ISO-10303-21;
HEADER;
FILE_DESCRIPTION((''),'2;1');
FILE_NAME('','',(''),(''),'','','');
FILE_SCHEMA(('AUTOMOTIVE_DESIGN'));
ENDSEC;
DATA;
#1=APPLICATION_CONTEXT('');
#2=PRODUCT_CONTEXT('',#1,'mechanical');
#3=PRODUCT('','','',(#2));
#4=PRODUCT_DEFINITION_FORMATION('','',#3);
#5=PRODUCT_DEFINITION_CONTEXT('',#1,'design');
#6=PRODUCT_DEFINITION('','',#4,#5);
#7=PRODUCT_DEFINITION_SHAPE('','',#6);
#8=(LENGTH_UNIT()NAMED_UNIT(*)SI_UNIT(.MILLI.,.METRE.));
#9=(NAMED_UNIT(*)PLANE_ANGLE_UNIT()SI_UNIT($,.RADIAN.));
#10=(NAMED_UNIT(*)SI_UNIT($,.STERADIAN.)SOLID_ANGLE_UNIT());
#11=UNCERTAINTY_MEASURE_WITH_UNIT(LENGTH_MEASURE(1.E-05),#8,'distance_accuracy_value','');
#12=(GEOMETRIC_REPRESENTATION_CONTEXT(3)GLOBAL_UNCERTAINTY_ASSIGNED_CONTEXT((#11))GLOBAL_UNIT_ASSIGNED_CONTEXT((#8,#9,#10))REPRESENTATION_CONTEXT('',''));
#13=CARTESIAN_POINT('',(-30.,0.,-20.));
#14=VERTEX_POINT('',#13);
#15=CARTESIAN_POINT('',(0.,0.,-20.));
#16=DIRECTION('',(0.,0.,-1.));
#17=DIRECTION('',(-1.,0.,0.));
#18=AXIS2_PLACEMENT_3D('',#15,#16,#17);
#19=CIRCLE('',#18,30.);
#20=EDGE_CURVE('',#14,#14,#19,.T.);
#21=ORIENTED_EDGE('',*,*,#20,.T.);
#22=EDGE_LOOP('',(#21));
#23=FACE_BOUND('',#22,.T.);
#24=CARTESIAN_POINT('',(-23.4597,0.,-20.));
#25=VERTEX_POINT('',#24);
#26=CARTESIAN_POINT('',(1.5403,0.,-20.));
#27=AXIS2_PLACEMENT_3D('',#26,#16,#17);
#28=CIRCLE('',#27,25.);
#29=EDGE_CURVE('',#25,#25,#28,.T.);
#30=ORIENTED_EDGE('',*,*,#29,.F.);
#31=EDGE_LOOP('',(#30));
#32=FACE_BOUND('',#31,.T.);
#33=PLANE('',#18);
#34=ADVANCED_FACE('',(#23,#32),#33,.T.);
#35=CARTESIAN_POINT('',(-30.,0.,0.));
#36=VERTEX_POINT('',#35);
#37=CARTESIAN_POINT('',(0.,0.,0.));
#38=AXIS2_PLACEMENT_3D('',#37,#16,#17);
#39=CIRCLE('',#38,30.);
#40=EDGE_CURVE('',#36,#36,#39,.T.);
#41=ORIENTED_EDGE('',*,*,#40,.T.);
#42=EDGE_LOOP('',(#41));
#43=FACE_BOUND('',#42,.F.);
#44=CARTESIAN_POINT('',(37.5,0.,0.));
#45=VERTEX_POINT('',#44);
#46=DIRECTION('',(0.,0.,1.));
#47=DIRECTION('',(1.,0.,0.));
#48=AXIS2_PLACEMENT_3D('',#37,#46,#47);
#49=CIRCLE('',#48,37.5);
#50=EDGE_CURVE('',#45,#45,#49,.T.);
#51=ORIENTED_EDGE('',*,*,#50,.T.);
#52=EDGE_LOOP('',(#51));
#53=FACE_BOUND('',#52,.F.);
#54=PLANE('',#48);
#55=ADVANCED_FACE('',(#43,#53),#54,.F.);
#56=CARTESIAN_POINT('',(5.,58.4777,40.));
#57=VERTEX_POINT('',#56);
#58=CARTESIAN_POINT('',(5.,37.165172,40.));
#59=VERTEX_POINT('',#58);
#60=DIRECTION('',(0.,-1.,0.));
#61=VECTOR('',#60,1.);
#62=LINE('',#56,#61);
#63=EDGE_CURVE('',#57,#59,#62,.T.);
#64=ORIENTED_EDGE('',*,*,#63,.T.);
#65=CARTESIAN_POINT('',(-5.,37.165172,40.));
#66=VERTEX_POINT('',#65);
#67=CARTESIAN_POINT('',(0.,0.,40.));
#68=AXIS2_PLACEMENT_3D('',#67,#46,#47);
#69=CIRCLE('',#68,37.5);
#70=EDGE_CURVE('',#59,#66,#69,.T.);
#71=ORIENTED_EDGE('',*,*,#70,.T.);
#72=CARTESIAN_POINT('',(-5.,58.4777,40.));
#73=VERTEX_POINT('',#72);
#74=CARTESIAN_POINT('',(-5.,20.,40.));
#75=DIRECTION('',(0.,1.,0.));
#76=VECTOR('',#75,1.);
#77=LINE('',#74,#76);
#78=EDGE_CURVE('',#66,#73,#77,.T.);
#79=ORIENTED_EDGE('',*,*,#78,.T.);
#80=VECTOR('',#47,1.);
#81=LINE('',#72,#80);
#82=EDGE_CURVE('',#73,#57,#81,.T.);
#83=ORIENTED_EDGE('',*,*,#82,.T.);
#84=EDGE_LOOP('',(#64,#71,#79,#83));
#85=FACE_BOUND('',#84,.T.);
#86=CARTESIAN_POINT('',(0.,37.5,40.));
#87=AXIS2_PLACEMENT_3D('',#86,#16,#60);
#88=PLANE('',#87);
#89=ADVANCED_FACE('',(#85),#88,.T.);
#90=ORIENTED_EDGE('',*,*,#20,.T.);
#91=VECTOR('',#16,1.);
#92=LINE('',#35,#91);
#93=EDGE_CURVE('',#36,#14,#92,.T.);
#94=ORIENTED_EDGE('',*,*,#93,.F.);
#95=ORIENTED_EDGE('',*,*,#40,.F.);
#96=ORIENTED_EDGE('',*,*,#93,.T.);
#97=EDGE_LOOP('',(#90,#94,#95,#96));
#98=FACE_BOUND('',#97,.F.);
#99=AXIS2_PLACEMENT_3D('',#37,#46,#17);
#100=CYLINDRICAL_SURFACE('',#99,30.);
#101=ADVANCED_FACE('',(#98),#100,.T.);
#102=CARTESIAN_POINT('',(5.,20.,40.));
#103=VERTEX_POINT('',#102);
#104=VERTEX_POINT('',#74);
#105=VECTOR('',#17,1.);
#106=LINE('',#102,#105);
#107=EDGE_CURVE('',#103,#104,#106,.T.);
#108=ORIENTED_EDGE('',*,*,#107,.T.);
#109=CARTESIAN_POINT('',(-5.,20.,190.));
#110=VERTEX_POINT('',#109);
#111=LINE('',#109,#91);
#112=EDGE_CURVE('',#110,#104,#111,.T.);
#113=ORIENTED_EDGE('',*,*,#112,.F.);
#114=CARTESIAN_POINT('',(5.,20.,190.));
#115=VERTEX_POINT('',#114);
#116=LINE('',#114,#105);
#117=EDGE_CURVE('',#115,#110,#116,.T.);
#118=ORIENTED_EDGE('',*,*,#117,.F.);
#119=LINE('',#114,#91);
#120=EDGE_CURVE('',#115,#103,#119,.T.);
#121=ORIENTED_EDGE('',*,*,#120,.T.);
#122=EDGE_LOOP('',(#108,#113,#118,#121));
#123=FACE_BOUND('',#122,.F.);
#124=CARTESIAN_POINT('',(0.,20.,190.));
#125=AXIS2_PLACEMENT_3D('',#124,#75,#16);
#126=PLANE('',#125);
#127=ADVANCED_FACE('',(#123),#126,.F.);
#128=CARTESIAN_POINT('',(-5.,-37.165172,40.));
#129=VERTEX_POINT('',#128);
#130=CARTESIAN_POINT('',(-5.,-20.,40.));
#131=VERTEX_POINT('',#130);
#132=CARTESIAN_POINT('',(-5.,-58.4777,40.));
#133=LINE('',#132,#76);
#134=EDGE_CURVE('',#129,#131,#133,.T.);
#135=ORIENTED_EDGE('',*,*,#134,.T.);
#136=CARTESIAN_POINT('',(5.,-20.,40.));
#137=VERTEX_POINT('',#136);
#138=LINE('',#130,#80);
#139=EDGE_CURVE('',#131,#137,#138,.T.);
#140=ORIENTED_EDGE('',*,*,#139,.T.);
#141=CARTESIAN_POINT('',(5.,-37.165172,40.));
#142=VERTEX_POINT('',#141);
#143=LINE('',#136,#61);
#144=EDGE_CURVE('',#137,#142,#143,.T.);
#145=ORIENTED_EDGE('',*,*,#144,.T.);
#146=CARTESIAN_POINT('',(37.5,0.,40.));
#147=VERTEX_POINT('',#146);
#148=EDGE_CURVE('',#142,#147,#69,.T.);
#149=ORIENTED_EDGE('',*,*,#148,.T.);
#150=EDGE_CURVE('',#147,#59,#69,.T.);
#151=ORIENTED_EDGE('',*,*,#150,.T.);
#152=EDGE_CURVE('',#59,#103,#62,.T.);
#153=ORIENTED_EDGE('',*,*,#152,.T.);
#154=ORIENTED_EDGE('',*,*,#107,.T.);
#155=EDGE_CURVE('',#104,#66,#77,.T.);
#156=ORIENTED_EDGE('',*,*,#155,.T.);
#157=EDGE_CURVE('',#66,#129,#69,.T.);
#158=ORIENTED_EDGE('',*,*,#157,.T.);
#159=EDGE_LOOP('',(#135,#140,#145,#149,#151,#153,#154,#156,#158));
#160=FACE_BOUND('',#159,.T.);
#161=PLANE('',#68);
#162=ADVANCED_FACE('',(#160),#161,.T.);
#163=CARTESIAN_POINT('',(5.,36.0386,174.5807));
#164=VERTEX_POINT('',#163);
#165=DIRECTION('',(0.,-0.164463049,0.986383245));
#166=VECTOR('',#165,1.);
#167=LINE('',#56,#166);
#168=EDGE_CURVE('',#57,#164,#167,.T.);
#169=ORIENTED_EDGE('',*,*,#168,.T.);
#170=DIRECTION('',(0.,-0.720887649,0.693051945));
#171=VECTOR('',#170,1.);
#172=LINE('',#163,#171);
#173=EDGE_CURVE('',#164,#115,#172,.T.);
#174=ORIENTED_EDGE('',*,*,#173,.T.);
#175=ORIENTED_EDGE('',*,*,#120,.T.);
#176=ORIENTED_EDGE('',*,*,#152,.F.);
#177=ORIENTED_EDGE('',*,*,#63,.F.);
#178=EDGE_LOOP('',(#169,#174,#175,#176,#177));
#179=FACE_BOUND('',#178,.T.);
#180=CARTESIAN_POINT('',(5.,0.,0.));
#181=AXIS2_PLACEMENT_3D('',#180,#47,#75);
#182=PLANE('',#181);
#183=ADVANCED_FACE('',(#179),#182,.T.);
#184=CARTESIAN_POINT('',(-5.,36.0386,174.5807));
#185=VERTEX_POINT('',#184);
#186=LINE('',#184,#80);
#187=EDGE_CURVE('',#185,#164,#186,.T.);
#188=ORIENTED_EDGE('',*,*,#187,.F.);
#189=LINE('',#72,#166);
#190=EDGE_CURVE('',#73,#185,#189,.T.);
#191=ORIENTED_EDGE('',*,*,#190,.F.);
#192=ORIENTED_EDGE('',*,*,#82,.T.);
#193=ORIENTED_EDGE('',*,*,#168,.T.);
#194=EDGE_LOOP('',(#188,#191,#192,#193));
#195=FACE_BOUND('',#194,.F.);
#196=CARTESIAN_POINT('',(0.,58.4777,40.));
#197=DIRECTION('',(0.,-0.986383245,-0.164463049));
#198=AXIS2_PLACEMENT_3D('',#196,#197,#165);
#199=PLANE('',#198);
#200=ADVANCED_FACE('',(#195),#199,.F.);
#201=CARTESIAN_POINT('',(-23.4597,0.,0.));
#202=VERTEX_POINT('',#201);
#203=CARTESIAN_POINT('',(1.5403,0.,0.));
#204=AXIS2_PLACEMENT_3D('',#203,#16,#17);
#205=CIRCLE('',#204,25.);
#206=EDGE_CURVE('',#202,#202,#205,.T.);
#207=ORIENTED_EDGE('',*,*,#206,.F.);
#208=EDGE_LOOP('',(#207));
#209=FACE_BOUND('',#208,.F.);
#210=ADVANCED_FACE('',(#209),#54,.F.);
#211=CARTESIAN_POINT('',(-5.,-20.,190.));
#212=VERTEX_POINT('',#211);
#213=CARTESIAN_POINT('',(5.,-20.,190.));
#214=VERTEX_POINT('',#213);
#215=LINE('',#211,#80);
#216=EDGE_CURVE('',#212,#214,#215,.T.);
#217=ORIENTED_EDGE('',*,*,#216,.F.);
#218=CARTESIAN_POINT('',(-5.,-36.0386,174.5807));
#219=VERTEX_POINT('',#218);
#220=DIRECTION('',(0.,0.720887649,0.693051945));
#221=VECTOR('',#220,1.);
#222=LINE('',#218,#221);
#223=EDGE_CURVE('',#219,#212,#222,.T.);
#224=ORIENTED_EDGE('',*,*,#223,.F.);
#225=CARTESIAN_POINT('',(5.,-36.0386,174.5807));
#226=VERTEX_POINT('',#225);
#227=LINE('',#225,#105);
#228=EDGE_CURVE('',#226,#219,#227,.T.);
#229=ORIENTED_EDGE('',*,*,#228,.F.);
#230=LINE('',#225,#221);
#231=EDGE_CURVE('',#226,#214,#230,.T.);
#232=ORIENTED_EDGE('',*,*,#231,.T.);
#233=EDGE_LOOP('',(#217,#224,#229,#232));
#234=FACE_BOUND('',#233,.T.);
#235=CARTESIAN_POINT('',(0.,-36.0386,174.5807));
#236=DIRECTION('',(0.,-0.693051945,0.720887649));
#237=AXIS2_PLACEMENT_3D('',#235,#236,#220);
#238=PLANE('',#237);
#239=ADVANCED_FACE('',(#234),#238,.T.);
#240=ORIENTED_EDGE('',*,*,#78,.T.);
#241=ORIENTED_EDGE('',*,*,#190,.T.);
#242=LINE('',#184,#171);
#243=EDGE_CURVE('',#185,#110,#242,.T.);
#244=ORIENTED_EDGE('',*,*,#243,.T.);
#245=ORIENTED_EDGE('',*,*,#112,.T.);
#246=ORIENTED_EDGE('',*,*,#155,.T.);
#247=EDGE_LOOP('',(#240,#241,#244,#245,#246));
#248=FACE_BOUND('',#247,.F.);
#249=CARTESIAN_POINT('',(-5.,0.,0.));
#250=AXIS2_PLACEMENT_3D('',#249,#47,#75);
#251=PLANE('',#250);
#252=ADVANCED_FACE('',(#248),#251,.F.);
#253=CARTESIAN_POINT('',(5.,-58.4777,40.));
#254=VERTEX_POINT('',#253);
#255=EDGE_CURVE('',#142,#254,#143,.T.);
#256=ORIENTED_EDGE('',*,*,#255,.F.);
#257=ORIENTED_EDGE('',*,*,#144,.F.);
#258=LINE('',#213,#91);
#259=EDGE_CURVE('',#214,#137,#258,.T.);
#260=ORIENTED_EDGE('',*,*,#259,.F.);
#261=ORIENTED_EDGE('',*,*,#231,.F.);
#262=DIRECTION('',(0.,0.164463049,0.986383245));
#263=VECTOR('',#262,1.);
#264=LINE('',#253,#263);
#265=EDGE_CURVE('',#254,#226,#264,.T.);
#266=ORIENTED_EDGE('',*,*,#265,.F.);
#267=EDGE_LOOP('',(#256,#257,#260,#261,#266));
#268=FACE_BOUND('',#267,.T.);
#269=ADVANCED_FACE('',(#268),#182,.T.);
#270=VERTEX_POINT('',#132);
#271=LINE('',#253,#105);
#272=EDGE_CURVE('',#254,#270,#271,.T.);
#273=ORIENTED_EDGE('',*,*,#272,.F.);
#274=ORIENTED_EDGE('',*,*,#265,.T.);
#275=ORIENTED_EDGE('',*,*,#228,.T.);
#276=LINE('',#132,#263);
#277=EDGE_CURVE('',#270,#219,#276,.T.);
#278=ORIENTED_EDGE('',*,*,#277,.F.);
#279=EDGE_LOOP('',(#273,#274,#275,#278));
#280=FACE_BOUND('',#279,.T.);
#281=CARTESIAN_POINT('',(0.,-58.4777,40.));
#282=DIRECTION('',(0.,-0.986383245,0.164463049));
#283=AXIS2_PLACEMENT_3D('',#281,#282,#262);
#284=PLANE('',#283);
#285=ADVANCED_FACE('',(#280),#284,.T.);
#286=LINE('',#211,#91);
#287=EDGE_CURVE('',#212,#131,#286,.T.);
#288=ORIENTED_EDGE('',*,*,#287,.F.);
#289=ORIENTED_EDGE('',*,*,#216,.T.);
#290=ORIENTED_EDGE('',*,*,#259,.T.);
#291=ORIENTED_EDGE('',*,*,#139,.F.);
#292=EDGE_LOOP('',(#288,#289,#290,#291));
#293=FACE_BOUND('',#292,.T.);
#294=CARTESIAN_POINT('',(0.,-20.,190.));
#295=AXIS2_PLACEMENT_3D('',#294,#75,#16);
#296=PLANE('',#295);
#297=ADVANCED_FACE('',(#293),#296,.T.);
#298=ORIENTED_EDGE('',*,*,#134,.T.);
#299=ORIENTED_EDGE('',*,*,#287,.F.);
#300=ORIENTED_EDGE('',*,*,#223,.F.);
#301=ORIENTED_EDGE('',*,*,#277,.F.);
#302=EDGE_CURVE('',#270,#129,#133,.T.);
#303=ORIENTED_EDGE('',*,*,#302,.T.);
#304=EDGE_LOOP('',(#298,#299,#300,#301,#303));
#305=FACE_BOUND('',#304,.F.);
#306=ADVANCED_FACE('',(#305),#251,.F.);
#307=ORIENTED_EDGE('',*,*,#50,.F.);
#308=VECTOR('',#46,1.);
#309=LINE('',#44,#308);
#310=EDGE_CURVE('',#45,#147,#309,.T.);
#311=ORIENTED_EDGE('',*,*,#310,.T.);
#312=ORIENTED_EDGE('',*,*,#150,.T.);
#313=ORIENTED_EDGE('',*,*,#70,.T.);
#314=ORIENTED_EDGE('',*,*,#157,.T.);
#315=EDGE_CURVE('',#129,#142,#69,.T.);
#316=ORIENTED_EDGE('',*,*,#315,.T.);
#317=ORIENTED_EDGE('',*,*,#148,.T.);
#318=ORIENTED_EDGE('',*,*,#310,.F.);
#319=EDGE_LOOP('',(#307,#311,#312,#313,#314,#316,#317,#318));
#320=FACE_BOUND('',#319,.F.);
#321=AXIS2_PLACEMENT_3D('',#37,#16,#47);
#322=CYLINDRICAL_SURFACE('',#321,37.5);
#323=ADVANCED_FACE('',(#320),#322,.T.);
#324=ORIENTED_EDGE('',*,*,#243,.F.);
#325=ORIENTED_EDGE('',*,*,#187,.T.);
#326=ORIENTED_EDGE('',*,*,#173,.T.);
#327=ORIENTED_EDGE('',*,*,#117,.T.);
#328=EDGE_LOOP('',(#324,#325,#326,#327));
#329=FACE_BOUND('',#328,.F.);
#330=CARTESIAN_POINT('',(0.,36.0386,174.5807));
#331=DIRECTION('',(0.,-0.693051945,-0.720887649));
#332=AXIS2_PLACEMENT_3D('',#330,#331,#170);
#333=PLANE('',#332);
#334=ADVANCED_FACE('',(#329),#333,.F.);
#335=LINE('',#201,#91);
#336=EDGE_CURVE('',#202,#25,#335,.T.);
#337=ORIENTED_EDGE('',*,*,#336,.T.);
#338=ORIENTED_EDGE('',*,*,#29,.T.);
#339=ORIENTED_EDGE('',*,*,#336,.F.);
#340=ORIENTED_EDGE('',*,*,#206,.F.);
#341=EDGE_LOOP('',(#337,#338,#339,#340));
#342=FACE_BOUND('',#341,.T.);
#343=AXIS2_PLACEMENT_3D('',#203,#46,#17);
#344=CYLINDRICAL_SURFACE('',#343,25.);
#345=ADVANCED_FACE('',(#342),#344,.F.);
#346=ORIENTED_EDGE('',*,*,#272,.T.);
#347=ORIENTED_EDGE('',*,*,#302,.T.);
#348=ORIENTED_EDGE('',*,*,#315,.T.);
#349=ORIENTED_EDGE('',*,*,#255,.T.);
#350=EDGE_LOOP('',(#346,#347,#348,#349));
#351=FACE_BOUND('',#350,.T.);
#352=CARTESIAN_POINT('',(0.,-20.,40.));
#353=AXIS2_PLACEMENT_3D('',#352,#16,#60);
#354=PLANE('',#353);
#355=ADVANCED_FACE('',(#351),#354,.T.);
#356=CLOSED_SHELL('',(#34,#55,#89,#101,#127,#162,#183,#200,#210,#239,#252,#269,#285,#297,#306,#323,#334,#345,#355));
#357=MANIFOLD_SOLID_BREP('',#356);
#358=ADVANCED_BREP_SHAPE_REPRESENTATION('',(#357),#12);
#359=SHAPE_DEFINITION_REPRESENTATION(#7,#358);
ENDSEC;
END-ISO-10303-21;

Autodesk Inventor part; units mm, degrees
ref_plane "YZ Plane" through (0, 0, 0) normal (1, 0, 0) x (0, 1, 0)
ref_plane "XZ Plane" through (0, 0, 0) normal (0, 1, 0) x (-1, 0, 0)
ref_plane "XY Plane" through (0, 0, 0) normal (0, 0, 1) x (1, 0, 0)
sketch "Sketch1" plane through (0, 0, 0) normal (0, 0, 1) x (1, 0, 0)
  circle A0 centre (0, 0) radius 37.5
  dimension "d0" = 75
extrude "Extrusion1" add sketch "Sketch1" along normal blind 40
sketch "Sketch2" plane through (0, 0, 0) normal (0, 0, -1) x (-1, 0, 0)
  circle A0 centre (0, 0) radius 30
  circle A1 centre (-1.5403, 0) radius 25
  dimension "d3" = 60
  dimension "d4" = 50
extrude "Extrusion2" add sketch "Sketch2" along normal blind 20
sketch "Sketch3" plane through (0, 0, 0) normal (1, 0, 0) x (0, 1, 0)
  line L0 (37.5, 40) -> (-37.5, 40) projected
  line L1 (20, 40) -> (58.4777, 40)
  line L2 (20, 190) -> (20, 40)
  line L3 (58.4777, 40) -> (36.0386, 174.5807)
  line L4 (36.0386, 174.5807) -> (20, 190)
  line L5 (0, 40) -> (0, 219.4049)
  line L6 (-20, 40) -> (-58.4777, 40)
  line L7 (-20, 190) -> (-20, 40)
  line L8 (-58.4777, 40) -> (-36.0386, 174.5807)
  line L9 (-36.0386, 174.5807) -> (-20, 190)
  point P0 (0, 0)
  dimension "d8" = 150
  dimension "d11" = 40
extrude "Extrusion3" add sketch "Sketch3" along normal mid plane 10
properties part number "Grip"
